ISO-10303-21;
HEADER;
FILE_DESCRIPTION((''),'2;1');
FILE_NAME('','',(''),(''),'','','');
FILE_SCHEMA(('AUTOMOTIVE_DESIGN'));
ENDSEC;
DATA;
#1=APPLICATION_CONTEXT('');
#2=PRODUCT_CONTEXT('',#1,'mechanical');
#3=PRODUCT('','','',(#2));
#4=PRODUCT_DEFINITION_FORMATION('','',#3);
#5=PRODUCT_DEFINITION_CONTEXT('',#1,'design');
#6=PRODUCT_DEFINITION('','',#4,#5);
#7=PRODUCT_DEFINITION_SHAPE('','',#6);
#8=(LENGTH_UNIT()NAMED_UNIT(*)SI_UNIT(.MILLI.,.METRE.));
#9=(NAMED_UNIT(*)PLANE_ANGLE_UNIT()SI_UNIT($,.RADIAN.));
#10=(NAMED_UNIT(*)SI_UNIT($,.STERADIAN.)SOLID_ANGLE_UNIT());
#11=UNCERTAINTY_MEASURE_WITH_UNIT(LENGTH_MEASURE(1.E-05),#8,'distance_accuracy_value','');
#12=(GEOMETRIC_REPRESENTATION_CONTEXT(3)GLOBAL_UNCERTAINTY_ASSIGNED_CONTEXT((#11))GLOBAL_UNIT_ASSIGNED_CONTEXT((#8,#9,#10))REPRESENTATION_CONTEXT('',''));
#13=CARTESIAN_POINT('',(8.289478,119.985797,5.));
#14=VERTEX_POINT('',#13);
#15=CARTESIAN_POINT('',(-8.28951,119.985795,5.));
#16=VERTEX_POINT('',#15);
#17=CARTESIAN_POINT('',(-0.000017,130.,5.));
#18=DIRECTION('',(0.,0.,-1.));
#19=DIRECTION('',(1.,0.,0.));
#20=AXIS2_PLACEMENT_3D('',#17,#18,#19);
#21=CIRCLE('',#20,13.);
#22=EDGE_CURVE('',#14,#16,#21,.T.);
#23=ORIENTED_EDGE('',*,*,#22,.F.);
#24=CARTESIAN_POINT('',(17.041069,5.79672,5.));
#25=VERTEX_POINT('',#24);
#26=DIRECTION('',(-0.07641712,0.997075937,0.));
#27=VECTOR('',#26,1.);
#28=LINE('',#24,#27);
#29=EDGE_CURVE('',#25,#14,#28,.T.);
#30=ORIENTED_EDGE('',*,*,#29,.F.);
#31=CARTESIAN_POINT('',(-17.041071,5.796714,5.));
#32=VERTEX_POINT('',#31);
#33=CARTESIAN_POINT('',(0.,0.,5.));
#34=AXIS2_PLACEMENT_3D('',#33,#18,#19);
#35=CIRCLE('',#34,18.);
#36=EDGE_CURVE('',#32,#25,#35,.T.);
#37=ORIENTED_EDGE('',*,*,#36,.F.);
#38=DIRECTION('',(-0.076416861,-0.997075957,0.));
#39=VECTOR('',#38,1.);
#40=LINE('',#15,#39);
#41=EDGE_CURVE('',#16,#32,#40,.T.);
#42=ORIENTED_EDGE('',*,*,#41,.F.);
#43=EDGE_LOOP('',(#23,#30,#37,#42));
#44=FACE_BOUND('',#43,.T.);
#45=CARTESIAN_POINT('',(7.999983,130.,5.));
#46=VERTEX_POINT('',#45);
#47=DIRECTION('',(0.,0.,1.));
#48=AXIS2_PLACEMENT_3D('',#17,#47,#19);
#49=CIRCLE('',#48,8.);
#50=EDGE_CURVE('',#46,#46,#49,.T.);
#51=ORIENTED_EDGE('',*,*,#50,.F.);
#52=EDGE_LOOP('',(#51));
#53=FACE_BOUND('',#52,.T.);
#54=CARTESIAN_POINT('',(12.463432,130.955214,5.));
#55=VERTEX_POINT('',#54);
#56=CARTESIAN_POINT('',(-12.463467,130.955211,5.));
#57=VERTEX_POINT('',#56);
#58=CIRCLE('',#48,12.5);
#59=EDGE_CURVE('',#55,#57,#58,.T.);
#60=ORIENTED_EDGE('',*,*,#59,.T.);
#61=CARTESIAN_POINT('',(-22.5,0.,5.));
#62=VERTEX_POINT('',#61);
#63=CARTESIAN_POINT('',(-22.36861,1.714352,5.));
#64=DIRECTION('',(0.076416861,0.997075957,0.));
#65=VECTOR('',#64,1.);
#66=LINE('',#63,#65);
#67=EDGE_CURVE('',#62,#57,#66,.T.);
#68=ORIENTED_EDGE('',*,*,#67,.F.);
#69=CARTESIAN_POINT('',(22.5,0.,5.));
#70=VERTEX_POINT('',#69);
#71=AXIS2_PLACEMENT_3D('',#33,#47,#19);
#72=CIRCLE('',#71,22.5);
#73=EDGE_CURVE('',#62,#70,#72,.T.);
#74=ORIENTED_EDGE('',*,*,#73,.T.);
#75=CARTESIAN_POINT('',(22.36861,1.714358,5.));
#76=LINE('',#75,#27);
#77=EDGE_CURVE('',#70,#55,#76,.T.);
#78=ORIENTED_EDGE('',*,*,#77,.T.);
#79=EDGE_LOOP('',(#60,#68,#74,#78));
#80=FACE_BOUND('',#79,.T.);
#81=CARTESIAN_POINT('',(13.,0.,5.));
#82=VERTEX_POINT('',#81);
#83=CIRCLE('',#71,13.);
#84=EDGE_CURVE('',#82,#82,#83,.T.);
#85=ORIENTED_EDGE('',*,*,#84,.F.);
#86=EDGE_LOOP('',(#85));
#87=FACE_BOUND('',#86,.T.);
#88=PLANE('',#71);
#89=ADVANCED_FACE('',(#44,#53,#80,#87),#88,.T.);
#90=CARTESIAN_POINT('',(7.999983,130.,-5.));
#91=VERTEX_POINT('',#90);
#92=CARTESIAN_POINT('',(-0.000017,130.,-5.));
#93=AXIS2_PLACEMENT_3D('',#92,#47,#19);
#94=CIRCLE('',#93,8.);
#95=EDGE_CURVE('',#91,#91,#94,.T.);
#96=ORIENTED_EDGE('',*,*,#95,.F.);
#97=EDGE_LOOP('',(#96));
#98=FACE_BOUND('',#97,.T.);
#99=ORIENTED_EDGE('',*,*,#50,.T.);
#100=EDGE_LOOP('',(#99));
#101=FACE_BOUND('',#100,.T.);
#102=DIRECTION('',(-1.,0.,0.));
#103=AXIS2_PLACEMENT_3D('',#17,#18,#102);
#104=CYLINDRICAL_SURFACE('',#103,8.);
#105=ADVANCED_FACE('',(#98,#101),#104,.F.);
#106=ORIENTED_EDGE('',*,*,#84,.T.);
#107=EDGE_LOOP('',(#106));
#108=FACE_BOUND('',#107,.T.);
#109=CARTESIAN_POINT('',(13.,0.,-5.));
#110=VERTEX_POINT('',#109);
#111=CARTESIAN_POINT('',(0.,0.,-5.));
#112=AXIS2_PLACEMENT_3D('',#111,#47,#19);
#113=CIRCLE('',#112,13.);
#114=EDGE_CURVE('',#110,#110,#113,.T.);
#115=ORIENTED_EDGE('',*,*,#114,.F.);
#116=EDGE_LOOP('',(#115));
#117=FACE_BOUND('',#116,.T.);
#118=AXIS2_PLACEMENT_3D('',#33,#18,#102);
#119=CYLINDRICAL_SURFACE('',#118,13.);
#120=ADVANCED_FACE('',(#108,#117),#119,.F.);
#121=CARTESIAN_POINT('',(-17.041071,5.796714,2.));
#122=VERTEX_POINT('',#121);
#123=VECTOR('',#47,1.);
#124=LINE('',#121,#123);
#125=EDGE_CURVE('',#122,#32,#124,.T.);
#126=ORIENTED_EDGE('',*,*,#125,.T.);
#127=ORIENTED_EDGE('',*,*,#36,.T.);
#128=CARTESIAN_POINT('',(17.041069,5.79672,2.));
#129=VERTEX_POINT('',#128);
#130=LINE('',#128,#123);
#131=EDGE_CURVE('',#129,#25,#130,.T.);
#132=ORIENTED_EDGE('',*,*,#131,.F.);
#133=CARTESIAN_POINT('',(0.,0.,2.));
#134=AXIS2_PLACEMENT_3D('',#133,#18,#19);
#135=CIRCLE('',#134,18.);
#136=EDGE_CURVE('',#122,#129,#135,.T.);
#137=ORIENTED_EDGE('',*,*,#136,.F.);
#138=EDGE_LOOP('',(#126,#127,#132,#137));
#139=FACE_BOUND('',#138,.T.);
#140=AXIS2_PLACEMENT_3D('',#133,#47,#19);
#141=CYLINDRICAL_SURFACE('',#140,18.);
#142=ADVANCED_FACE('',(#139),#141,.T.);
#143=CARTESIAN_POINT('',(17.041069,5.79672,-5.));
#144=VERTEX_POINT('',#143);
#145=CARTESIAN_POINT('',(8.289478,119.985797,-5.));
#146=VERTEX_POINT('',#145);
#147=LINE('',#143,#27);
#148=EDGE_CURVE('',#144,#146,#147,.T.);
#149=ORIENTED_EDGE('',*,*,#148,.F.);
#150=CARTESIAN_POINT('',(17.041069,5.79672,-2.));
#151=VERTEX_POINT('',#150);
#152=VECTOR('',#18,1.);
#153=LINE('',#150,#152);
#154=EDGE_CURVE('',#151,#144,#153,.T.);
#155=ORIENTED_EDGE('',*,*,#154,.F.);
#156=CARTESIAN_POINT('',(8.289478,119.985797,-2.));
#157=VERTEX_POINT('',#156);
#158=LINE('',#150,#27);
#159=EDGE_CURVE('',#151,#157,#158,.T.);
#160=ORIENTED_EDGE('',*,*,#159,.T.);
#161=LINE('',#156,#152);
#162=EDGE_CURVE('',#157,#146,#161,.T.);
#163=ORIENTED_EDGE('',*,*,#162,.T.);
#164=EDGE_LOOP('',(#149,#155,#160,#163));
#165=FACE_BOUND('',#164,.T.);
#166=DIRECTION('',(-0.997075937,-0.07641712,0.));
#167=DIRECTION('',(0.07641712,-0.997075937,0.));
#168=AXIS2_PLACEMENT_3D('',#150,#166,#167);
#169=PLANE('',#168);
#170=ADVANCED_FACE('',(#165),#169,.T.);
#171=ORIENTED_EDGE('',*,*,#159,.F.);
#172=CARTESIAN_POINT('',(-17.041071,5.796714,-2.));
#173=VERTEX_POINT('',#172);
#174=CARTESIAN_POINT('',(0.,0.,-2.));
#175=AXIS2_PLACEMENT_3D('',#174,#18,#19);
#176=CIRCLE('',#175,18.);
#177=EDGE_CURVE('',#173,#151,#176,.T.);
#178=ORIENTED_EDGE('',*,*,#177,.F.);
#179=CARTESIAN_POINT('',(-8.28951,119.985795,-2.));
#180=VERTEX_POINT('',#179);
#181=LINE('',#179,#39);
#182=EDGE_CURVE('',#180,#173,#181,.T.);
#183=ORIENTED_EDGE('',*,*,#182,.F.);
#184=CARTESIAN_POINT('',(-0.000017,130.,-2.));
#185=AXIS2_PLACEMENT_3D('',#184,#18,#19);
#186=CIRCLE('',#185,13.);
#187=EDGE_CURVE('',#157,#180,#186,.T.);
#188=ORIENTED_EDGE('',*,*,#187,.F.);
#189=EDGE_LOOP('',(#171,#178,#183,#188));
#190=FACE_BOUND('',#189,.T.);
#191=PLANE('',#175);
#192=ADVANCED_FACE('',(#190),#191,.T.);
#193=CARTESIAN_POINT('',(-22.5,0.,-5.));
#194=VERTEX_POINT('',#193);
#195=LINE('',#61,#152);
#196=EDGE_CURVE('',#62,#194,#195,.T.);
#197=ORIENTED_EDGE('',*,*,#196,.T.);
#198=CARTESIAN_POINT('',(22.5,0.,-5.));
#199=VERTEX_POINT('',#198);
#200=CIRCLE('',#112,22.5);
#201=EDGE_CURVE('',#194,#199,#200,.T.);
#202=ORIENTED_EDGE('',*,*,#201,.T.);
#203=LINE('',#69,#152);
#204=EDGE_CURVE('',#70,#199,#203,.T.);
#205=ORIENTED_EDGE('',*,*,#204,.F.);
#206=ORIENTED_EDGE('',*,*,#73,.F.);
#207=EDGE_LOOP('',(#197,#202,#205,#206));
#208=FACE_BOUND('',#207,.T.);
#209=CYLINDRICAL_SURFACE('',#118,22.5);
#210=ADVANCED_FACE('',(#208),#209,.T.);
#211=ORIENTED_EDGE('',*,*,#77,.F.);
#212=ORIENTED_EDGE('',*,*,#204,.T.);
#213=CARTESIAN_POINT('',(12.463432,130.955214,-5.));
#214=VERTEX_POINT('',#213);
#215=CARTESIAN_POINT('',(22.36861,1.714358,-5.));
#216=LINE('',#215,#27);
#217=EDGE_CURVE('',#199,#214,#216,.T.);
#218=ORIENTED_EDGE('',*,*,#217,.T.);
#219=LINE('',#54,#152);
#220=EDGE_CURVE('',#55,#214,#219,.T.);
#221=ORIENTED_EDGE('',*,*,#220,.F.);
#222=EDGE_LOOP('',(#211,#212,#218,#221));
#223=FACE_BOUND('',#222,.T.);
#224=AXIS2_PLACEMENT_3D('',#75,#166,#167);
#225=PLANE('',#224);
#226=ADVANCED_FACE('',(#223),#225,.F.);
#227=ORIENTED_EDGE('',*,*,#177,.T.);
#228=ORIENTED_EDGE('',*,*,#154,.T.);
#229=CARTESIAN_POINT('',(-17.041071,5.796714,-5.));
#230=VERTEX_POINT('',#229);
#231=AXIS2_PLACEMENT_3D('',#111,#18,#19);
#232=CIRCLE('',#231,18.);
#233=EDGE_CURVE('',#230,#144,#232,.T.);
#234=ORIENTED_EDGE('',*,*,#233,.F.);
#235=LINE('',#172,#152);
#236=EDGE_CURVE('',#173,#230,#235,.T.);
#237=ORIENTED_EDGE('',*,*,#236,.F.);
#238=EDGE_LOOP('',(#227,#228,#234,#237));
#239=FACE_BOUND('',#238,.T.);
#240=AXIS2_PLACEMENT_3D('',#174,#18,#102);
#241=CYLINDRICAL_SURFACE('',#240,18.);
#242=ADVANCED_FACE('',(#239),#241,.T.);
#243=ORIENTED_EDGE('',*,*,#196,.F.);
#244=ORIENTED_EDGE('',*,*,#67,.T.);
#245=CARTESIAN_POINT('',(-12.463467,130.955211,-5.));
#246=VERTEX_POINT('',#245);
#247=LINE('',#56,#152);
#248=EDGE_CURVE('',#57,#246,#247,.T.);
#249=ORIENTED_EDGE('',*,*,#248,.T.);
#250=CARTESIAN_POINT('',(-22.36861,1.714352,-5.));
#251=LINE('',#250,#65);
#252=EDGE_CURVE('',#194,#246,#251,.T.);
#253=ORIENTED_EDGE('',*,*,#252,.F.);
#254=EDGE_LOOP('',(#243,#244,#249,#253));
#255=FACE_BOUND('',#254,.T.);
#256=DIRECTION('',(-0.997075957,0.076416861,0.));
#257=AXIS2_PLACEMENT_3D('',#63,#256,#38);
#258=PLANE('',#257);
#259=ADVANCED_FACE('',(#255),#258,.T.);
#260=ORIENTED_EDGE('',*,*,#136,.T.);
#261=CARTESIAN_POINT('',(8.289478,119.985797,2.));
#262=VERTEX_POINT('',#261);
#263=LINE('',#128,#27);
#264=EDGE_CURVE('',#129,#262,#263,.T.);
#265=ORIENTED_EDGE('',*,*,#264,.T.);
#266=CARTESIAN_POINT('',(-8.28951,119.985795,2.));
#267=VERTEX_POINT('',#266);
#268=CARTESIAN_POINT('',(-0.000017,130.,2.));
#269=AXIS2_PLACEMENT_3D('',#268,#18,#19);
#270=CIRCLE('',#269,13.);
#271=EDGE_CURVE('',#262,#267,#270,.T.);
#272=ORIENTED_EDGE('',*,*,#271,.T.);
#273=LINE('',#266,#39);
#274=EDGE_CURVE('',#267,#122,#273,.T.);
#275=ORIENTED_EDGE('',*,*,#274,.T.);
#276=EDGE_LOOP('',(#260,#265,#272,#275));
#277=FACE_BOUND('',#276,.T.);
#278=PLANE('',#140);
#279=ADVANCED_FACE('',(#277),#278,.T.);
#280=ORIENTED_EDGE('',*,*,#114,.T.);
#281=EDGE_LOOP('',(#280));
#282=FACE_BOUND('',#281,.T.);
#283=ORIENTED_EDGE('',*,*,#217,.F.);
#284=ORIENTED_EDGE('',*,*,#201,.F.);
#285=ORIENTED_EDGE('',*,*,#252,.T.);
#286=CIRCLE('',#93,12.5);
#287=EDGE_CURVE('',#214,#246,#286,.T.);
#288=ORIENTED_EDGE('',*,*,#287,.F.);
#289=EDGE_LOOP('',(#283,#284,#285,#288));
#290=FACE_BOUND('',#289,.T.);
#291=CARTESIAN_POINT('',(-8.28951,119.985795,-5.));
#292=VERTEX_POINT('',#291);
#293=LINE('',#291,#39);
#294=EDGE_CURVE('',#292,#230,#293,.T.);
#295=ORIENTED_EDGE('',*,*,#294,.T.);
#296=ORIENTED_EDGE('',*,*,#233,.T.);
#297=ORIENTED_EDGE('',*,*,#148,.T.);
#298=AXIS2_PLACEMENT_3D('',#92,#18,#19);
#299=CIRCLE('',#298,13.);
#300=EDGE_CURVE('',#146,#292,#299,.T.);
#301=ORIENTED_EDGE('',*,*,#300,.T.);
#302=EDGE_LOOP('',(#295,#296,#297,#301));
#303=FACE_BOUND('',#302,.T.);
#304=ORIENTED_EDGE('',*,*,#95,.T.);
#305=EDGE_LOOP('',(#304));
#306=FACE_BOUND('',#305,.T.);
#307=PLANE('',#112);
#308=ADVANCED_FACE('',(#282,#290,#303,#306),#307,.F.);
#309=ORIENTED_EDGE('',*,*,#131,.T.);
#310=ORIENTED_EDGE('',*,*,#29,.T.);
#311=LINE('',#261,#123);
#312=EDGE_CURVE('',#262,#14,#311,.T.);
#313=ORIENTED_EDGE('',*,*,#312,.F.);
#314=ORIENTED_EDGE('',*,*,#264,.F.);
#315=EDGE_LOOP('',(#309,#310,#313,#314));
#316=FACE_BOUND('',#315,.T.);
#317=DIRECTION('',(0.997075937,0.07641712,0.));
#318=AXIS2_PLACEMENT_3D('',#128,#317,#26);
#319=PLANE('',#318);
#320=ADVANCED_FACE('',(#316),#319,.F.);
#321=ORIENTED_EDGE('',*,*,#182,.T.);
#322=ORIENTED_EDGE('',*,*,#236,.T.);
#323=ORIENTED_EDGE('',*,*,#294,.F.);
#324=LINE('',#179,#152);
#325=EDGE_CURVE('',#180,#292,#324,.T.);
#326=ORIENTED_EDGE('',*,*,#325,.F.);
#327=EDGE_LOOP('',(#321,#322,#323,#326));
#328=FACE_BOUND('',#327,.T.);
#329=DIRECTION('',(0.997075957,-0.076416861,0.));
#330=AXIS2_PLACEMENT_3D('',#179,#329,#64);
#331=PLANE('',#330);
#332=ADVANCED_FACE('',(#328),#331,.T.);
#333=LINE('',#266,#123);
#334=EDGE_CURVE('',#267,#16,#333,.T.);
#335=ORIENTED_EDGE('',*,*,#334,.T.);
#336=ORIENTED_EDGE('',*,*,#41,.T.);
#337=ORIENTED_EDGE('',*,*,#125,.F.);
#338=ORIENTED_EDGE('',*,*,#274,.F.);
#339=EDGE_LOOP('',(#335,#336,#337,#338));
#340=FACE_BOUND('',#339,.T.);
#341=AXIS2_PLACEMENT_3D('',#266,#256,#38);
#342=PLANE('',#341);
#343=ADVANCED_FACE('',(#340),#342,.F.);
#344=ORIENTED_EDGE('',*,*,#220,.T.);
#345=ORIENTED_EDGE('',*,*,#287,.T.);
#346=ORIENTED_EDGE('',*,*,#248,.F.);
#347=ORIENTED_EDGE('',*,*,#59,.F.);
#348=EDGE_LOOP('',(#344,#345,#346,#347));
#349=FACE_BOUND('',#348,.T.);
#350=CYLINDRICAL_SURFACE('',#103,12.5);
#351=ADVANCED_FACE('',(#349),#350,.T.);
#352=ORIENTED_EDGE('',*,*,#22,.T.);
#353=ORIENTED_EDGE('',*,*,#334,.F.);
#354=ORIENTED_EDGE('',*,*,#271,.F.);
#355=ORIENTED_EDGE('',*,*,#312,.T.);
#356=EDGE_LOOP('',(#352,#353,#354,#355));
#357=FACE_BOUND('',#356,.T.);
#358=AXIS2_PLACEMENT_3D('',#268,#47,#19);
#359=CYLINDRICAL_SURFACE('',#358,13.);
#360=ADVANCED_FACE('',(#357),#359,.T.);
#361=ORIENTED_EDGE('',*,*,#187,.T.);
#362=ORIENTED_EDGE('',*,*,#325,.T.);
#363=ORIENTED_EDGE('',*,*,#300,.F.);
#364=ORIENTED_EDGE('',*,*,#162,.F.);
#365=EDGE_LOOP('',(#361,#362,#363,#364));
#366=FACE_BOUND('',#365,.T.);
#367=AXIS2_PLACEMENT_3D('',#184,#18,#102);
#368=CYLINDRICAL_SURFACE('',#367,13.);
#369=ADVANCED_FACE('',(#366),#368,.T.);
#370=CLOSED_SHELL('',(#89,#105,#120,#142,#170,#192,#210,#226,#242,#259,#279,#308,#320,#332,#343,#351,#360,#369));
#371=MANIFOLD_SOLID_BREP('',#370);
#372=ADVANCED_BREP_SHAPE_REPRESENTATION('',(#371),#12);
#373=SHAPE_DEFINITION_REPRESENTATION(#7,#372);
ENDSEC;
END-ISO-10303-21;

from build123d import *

# Parameters (mm, degrees)
SKETCH1_R           = 12.5
SKETCH1_R_2         = 8
SKETCH1_R_3         = 13
BOSS_EXTRUDE1_DEPTH = 5
CUT_EXTRUDE1_DEPTH  = 3


with BuildPart() as part:
    # Sketch1 → Boss-Extrude1 (new, symmetric)
    # profile 1 of 3: a face of its own
    with BuildSketch(Plane.XY):
        with BuildLine():
            Line((-12.463466587, 130.955210764), (-22.23722085, 3.428703671))
            ThreePointArc((-22.23722085, 3.428703671), (-5.852e-06, 22.5), (22.237219067, 3.428715237))
            Line((22.237219067, 3.428715237), (12.463432081, 130.955214005))
            ThreePointArc((12.463432081, 130.955214005), (12.490841831, 130.477956524), (12.499982871, 130))
            ThreePointArc((12.499982871, 130), (-0.477972029, 117.509140978), (-12.463466587, 130.955210764))
        make_face()
    # profile 2 of 3: a face of its own
    with BuildSketch(Plane.XY):
        with Locations((-1.7129e-05, 130)):
            Circle(SKETCH1_R)
        with Locations((-1.7129e-05, 130)):
            Circle(SKETCH1_R_2, mode=Mode.SUBTRACT)
    # profile 3 of 3: a face of its own
    with BuildSketch(Plane.XY):
        with BuildLine():
            Line((-22.23722085, 3.428703671), (-22.5, 0))
            ThreePointArc((-22.5, 0), (0, -22.5), (22.5, 0))
            Line((22.5, 0), (22.237219067, 3.428715237))
            ThreePointArc((22.237219067, 3.428715237), (-5.852e-06, 22.5), (-22.23722085, 3.428703671))
        make_face()
        Circle(SKETCH1_R_3, mode=Mode.SUBTRACT)
    extrude(amount=BOSS_EXTRUDE1_DEPTH, both=True)

    # Sketch2 → Cut-Extrude1 (cut)
    with BuildSketch(Plane.XY.offset(5)):
        with BuildLine():
            Line((17.041069078, 5.796720166), (8.289478443, 119.985796928))
            ThreePointArc((8.289478443, 119.985796928), (-1.5438e-05, 117), (-8.289510096, 119.985794772))
            Line((-8.289510096, 119.985794772), (-17.041071164, 5.796714033))
            ThreePointArc((-17.041071164, 5.796714033), (-3.239e-06, 18), (17.041069078, 5.796720166))
        make_face()
    cut_extrude1 = extrude(amount=-CUT_EXTRUDE1_DEPTH, mode=Mode.SUBTRACT)

    # Mirror1: Cut-Extrude1 across plane
    add(cut_extrude1.mirror(Plane.XY), mode=Mode.SUBTRACT)


solid = part.part
